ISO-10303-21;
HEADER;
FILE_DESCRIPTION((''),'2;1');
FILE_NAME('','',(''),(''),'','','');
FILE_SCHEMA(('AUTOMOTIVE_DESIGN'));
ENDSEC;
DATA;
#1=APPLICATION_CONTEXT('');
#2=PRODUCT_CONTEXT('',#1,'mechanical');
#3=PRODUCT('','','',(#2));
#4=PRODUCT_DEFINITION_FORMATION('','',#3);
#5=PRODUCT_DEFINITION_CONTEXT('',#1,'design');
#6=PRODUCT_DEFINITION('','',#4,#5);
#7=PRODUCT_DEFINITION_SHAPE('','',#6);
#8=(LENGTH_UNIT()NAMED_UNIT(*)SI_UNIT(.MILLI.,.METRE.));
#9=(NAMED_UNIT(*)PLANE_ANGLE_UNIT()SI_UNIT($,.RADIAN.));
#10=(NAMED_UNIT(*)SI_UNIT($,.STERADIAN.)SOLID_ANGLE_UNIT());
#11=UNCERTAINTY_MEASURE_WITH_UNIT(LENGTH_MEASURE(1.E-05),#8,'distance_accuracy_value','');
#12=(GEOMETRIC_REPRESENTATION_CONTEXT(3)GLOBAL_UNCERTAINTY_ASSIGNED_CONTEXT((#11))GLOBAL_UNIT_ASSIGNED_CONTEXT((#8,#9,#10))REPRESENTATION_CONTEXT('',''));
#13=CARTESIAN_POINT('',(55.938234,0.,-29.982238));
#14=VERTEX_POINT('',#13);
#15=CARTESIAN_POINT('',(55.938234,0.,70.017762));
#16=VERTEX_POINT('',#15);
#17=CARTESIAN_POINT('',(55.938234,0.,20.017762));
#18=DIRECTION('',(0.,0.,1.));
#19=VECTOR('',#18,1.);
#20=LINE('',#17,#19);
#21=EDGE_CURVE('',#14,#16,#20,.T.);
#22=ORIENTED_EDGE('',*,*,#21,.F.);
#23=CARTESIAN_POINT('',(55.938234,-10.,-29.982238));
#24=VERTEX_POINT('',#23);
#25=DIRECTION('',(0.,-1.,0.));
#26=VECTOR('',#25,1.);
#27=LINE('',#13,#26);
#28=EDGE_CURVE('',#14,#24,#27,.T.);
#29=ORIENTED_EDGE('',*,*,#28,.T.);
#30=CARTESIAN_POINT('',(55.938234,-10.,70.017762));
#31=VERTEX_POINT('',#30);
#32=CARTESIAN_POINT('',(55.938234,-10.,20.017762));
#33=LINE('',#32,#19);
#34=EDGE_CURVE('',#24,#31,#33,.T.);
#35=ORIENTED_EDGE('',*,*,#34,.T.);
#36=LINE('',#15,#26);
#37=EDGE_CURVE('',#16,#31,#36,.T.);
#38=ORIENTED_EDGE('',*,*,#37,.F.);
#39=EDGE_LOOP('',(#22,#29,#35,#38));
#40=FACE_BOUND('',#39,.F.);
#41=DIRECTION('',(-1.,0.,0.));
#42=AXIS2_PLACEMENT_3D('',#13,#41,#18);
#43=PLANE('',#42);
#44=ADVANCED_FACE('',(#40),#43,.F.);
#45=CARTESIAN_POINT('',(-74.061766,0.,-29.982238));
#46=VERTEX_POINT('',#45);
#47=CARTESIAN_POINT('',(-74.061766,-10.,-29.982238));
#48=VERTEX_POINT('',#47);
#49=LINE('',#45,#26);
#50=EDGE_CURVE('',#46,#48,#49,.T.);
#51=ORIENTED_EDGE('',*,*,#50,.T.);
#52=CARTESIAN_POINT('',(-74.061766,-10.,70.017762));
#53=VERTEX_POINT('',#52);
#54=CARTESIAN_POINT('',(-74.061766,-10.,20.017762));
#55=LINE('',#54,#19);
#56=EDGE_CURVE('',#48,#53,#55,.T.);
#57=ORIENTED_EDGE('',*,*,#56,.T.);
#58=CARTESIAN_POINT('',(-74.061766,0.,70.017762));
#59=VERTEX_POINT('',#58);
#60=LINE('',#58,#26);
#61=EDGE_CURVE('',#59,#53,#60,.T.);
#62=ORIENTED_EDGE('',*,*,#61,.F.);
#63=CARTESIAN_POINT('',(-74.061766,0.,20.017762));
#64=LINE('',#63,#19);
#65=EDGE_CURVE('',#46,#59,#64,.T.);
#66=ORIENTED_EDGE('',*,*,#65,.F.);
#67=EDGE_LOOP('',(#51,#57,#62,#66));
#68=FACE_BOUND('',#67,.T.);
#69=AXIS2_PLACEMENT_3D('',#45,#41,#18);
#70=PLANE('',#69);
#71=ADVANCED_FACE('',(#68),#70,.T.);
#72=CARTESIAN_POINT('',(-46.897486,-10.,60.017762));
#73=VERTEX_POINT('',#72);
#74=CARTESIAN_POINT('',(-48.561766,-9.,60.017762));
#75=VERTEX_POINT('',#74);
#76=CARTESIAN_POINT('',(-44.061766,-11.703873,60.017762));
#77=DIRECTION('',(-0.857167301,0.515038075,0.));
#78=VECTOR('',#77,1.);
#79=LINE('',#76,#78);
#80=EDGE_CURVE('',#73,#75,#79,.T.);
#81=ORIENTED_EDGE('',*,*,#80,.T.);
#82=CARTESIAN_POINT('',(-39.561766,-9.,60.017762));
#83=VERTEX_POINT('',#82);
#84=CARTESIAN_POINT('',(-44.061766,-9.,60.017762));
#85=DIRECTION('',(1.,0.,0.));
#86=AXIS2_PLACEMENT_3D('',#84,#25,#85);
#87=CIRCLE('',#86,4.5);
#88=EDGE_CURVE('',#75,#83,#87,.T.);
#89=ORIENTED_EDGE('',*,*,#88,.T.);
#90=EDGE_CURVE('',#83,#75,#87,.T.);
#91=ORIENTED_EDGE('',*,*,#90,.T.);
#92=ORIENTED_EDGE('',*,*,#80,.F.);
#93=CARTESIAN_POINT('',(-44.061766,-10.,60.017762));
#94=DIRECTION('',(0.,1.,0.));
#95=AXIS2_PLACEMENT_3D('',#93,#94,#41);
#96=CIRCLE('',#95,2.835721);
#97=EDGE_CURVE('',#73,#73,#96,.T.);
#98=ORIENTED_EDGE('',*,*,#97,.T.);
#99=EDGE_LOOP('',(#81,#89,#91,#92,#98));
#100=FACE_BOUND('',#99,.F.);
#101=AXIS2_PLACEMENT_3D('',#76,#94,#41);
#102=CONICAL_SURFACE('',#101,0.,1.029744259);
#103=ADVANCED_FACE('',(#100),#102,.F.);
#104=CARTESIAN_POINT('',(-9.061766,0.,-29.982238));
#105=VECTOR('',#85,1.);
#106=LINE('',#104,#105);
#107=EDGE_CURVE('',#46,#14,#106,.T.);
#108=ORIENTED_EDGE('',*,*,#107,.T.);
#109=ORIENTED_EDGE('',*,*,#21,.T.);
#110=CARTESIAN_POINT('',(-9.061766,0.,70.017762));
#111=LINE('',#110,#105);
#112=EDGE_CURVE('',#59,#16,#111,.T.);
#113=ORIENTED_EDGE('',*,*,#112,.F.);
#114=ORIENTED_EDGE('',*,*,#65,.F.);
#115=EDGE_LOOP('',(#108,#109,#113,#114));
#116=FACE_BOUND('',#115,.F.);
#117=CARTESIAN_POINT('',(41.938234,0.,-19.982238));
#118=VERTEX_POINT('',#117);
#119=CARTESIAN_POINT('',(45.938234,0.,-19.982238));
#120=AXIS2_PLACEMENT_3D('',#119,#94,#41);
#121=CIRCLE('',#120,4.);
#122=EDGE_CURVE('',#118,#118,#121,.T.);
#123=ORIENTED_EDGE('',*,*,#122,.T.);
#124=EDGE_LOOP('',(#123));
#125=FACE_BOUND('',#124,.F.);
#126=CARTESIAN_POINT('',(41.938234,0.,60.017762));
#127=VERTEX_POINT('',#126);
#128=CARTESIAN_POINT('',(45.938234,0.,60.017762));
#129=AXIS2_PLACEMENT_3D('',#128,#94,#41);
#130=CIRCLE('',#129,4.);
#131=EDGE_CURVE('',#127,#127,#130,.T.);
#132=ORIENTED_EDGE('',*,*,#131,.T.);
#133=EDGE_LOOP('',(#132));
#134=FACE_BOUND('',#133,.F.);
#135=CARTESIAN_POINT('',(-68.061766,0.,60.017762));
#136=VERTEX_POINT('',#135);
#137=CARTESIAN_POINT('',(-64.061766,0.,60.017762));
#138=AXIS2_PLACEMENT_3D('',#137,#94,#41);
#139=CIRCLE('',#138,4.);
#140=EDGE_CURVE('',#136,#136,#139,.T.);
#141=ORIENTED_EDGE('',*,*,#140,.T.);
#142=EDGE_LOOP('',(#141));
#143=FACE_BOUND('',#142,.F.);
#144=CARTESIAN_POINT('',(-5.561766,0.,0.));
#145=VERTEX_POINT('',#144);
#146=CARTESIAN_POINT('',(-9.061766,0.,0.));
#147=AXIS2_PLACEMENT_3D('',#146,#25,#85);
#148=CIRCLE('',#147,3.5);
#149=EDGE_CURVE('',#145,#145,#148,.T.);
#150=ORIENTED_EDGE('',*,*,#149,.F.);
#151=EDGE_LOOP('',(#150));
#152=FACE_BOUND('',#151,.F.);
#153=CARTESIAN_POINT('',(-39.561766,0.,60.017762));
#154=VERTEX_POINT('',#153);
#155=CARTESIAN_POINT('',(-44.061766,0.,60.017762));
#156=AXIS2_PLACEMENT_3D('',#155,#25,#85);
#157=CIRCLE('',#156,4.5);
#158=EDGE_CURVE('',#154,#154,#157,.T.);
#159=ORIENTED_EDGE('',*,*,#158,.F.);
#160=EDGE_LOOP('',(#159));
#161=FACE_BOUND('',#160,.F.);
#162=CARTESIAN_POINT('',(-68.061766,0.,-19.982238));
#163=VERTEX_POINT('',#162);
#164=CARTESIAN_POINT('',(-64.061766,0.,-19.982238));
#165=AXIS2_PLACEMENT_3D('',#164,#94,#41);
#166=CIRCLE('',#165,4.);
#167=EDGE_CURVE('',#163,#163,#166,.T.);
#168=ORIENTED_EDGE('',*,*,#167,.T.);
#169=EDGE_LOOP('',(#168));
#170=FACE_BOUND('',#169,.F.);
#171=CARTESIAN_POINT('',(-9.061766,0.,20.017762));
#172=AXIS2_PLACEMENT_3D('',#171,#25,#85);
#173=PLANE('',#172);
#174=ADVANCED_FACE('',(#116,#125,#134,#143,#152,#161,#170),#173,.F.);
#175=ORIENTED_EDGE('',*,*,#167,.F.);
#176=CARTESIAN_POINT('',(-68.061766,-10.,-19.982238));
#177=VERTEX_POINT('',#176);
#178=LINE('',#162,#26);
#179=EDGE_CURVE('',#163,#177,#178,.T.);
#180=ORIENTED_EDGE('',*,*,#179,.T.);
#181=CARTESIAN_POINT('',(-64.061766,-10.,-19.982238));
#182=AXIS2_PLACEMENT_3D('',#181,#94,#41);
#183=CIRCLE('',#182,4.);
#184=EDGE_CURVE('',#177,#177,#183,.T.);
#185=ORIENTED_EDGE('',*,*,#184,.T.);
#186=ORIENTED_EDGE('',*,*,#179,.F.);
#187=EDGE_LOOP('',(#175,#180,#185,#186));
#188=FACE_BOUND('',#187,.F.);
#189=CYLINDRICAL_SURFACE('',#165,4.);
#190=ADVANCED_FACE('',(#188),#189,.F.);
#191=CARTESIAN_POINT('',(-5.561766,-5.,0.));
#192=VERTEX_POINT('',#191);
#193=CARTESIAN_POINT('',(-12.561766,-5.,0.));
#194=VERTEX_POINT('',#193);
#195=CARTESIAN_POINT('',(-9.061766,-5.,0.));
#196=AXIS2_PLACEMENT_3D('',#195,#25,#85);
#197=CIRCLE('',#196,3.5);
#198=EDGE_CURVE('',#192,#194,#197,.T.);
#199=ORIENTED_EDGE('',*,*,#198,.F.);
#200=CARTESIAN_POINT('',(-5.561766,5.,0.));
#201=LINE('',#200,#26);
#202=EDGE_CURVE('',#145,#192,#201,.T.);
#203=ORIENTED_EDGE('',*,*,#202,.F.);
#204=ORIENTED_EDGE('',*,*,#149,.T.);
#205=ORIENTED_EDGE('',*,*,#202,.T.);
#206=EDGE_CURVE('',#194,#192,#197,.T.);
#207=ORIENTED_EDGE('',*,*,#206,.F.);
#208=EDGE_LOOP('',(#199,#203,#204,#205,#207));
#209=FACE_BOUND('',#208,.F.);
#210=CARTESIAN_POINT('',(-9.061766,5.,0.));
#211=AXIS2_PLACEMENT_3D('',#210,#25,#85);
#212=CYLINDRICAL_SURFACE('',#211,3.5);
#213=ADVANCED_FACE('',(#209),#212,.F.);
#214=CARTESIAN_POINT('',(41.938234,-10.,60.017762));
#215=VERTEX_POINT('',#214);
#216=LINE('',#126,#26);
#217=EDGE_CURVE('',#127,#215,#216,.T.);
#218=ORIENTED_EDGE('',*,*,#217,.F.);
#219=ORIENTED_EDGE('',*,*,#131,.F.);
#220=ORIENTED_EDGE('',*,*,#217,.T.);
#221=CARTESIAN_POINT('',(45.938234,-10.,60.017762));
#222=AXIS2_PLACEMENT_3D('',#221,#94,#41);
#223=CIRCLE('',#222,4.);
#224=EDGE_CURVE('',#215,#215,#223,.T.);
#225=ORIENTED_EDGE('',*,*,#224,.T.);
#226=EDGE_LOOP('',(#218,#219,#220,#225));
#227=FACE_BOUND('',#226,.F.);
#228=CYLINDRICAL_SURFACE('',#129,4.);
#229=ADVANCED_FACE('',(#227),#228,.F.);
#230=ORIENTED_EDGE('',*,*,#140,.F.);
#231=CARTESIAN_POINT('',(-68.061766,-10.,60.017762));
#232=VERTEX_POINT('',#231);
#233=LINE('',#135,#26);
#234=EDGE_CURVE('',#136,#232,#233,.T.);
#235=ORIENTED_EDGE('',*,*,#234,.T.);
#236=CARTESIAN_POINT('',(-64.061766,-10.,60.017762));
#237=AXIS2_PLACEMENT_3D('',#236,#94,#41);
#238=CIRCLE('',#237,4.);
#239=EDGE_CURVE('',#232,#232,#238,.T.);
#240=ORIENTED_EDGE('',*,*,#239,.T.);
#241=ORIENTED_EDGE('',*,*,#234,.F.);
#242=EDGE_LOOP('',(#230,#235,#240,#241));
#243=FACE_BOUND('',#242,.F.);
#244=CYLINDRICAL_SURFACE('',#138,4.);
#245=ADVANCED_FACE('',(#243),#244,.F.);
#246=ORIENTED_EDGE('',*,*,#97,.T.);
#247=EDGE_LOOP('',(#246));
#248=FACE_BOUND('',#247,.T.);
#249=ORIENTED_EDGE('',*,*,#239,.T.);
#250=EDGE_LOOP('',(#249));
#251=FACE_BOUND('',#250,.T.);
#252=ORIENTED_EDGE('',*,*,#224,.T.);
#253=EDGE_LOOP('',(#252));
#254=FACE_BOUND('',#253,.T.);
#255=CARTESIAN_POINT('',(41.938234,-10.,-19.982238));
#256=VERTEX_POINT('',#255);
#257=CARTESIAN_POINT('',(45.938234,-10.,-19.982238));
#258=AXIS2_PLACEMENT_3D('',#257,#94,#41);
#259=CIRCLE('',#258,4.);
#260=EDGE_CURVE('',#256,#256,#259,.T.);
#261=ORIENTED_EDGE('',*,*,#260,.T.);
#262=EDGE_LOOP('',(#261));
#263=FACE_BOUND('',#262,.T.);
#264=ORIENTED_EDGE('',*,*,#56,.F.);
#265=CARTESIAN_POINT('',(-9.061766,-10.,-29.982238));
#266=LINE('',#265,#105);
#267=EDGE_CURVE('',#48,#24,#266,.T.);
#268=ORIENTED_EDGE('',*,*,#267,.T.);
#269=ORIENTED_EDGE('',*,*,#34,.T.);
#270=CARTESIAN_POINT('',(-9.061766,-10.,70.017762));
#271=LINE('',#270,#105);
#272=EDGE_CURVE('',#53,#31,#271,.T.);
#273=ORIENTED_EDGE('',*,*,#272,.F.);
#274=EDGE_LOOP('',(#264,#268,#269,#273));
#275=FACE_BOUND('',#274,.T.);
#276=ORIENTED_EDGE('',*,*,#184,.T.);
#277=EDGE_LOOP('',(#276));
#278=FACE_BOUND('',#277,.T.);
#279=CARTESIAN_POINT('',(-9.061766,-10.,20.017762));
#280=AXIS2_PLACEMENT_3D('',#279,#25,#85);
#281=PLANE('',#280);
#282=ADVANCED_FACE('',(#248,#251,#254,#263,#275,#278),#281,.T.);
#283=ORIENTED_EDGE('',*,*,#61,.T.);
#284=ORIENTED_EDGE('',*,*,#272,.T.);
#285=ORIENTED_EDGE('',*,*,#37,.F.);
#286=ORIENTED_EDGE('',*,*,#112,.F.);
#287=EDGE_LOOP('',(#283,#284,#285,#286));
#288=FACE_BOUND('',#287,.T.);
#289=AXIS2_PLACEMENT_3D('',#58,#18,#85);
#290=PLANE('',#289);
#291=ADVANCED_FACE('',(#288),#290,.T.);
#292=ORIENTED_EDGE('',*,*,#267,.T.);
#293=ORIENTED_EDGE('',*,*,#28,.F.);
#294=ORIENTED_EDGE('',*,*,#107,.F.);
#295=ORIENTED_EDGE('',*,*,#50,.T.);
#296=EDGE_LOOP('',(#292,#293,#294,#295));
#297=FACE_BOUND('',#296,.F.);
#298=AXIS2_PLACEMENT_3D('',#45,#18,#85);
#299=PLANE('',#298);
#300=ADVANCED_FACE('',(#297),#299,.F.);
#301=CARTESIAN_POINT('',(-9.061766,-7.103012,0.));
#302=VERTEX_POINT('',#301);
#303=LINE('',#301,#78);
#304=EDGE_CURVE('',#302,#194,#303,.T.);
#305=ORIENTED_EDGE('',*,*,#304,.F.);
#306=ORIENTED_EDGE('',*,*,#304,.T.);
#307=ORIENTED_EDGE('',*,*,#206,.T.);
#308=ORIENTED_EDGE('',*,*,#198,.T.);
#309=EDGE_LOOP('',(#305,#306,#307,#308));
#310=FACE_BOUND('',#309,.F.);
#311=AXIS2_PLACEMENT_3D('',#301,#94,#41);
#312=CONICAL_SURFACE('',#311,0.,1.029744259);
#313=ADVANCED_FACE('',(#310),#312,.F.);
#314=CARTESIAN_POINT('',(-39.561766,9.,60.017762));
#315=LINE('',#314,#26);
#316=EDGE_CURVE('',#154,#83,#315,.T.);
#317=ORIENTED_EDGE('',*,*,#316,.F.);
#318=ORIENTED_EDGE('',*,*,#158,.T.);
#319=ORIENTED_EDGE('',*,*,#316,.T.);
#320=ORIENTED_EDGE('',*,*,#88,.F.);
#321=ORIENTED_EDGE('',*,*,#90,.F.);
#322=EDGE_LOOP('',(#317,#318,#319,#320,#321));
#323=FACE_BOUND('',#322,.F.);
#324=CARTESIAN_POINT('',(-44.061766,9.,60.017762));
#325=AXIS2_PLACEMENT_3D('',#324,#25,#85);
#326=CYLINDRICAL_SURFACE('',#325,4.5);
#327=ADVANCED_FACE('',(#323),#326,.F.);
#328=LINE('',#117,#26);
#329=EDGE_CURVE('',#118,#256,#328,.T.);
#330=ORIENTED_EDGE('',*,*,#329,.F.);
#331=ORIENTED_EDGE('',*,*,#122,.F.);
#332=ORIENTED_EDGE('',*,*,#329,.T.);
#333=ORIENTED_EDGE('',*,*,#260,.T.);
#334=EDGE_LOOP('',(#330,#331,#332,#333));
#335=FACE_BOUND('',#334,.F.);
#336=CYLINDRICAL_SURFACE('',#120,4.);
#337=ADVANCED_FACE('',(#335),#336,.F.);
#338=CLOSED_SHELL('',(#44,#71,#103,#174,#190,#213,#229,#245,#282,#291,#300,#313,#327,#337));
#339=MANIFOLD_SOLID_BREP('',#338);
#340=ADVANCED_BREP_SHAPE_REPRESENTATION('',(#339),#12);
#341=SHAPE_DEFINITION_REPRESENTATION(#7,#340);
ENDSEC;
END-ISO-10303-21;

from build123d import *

# Parameters (mm, degrees)
F0_W     = 130
F0_H     = 100
F1_DEPTH = 10
F3_D     = 9
F3_DEPTH = 9
F3_TIP   = 2.7038727856
F2_R     = 4
F4_DEPTH = 25
F5_DEPTH = 25
F6_DEPTH = 25
F7_DEPTH = 25
F8_D     = 7
F8_DEPTH = 5
F8_TIP   = 2.1030121666


with BuildPart() as f1:
    # F0 (on Front) → F1 (new body)
    with BuildSketch(Plane.XZ):
        with Locations((-9.0617658345, 20.0177619606)):
            Rectangle(F0_W, F0_H)
    extrude(amount=F1_DEPTH)

    # F3
    with Locations(Plane(origin=(0, 0, 0), x_dir=(-1, 0, 0), z_dir=(0, 1, 0))):
        with Locations((44.0617658345, 60.0177619606)):
            Hole(F3_D / 2, depth=F3_DEPTH)
            with Locations((0, 0, -(F3_DEPTH + F3_TIP / 2))):  # 118° drill point
                Cone(0, F3_D / 2, F3_TIP, mode=Mode.SUBTRACT)

    # F2 (on face) → F4 (cut)
    with BuildSketch(Plane(origin=(0, 0, 0), x_dir=(-1, 0, 0), z_dir=(0, 1, 0))):
        with Locations((-45.9382341655, -19.9822380394)):
            Circle(F2_R)
    extrude(amount=-F4_DEPTH, mode=Mode.SUBTRACT)

    # F2 (on face) → F5 (cut)
    with BuildSketch(Plane(origin=(0, 0, 0), x_dir=(-1, 0, 0), z_dir=(0, 1, 0))):
        with Locations((64.0617658345, -19.9822380394)):
            Circle(F2_R)
    extrude(amount=-F5_DEPTH, mode=Mode.SUBTRACT)

    # F2 (on face) → F6 (cut)
    with BuildSketch(Plane(origin=(0, 0, 0), x_dir=(-1, 0, 0), z_dir=(0, 1, 0))):
        with Locations((64.0617658345, 60.0177619606)):
            Circle(F2_R)
    extrude(amount=-F6_DEPTH, mode=Mode.SUBTRACT)

    # F2 (on face) → F7 (cut)
    with BuildSketch(Plane(origin=(0, 0, 0), x_dir=(-1, 0, 0), z_dir=(0, 1, 0))):
        with Locations((-45.9382341655, 60.0177619606)):
            Circle(F2_R)
    extrude(amount=-F7_DEPTH, mode=Mode.SUBTRACT)

    # F8
    with Locations(Plane(origin=(0, 0, 0), x_dir=(-1, 0, 0), z_dir=(0, 1, 0))):
        with Locations((9.0617658345, 0)):
            Hole(F8_D / 2, depth=F8_DEPTH)
            with Locations((0, 0, -(F8_DEPTH + F8_TIP / 2))):  # 118° drill point
                Cone(0, F8_D / 2, F8_TIP, mode=Mode.SUBTRACT)


solid = f1.part
